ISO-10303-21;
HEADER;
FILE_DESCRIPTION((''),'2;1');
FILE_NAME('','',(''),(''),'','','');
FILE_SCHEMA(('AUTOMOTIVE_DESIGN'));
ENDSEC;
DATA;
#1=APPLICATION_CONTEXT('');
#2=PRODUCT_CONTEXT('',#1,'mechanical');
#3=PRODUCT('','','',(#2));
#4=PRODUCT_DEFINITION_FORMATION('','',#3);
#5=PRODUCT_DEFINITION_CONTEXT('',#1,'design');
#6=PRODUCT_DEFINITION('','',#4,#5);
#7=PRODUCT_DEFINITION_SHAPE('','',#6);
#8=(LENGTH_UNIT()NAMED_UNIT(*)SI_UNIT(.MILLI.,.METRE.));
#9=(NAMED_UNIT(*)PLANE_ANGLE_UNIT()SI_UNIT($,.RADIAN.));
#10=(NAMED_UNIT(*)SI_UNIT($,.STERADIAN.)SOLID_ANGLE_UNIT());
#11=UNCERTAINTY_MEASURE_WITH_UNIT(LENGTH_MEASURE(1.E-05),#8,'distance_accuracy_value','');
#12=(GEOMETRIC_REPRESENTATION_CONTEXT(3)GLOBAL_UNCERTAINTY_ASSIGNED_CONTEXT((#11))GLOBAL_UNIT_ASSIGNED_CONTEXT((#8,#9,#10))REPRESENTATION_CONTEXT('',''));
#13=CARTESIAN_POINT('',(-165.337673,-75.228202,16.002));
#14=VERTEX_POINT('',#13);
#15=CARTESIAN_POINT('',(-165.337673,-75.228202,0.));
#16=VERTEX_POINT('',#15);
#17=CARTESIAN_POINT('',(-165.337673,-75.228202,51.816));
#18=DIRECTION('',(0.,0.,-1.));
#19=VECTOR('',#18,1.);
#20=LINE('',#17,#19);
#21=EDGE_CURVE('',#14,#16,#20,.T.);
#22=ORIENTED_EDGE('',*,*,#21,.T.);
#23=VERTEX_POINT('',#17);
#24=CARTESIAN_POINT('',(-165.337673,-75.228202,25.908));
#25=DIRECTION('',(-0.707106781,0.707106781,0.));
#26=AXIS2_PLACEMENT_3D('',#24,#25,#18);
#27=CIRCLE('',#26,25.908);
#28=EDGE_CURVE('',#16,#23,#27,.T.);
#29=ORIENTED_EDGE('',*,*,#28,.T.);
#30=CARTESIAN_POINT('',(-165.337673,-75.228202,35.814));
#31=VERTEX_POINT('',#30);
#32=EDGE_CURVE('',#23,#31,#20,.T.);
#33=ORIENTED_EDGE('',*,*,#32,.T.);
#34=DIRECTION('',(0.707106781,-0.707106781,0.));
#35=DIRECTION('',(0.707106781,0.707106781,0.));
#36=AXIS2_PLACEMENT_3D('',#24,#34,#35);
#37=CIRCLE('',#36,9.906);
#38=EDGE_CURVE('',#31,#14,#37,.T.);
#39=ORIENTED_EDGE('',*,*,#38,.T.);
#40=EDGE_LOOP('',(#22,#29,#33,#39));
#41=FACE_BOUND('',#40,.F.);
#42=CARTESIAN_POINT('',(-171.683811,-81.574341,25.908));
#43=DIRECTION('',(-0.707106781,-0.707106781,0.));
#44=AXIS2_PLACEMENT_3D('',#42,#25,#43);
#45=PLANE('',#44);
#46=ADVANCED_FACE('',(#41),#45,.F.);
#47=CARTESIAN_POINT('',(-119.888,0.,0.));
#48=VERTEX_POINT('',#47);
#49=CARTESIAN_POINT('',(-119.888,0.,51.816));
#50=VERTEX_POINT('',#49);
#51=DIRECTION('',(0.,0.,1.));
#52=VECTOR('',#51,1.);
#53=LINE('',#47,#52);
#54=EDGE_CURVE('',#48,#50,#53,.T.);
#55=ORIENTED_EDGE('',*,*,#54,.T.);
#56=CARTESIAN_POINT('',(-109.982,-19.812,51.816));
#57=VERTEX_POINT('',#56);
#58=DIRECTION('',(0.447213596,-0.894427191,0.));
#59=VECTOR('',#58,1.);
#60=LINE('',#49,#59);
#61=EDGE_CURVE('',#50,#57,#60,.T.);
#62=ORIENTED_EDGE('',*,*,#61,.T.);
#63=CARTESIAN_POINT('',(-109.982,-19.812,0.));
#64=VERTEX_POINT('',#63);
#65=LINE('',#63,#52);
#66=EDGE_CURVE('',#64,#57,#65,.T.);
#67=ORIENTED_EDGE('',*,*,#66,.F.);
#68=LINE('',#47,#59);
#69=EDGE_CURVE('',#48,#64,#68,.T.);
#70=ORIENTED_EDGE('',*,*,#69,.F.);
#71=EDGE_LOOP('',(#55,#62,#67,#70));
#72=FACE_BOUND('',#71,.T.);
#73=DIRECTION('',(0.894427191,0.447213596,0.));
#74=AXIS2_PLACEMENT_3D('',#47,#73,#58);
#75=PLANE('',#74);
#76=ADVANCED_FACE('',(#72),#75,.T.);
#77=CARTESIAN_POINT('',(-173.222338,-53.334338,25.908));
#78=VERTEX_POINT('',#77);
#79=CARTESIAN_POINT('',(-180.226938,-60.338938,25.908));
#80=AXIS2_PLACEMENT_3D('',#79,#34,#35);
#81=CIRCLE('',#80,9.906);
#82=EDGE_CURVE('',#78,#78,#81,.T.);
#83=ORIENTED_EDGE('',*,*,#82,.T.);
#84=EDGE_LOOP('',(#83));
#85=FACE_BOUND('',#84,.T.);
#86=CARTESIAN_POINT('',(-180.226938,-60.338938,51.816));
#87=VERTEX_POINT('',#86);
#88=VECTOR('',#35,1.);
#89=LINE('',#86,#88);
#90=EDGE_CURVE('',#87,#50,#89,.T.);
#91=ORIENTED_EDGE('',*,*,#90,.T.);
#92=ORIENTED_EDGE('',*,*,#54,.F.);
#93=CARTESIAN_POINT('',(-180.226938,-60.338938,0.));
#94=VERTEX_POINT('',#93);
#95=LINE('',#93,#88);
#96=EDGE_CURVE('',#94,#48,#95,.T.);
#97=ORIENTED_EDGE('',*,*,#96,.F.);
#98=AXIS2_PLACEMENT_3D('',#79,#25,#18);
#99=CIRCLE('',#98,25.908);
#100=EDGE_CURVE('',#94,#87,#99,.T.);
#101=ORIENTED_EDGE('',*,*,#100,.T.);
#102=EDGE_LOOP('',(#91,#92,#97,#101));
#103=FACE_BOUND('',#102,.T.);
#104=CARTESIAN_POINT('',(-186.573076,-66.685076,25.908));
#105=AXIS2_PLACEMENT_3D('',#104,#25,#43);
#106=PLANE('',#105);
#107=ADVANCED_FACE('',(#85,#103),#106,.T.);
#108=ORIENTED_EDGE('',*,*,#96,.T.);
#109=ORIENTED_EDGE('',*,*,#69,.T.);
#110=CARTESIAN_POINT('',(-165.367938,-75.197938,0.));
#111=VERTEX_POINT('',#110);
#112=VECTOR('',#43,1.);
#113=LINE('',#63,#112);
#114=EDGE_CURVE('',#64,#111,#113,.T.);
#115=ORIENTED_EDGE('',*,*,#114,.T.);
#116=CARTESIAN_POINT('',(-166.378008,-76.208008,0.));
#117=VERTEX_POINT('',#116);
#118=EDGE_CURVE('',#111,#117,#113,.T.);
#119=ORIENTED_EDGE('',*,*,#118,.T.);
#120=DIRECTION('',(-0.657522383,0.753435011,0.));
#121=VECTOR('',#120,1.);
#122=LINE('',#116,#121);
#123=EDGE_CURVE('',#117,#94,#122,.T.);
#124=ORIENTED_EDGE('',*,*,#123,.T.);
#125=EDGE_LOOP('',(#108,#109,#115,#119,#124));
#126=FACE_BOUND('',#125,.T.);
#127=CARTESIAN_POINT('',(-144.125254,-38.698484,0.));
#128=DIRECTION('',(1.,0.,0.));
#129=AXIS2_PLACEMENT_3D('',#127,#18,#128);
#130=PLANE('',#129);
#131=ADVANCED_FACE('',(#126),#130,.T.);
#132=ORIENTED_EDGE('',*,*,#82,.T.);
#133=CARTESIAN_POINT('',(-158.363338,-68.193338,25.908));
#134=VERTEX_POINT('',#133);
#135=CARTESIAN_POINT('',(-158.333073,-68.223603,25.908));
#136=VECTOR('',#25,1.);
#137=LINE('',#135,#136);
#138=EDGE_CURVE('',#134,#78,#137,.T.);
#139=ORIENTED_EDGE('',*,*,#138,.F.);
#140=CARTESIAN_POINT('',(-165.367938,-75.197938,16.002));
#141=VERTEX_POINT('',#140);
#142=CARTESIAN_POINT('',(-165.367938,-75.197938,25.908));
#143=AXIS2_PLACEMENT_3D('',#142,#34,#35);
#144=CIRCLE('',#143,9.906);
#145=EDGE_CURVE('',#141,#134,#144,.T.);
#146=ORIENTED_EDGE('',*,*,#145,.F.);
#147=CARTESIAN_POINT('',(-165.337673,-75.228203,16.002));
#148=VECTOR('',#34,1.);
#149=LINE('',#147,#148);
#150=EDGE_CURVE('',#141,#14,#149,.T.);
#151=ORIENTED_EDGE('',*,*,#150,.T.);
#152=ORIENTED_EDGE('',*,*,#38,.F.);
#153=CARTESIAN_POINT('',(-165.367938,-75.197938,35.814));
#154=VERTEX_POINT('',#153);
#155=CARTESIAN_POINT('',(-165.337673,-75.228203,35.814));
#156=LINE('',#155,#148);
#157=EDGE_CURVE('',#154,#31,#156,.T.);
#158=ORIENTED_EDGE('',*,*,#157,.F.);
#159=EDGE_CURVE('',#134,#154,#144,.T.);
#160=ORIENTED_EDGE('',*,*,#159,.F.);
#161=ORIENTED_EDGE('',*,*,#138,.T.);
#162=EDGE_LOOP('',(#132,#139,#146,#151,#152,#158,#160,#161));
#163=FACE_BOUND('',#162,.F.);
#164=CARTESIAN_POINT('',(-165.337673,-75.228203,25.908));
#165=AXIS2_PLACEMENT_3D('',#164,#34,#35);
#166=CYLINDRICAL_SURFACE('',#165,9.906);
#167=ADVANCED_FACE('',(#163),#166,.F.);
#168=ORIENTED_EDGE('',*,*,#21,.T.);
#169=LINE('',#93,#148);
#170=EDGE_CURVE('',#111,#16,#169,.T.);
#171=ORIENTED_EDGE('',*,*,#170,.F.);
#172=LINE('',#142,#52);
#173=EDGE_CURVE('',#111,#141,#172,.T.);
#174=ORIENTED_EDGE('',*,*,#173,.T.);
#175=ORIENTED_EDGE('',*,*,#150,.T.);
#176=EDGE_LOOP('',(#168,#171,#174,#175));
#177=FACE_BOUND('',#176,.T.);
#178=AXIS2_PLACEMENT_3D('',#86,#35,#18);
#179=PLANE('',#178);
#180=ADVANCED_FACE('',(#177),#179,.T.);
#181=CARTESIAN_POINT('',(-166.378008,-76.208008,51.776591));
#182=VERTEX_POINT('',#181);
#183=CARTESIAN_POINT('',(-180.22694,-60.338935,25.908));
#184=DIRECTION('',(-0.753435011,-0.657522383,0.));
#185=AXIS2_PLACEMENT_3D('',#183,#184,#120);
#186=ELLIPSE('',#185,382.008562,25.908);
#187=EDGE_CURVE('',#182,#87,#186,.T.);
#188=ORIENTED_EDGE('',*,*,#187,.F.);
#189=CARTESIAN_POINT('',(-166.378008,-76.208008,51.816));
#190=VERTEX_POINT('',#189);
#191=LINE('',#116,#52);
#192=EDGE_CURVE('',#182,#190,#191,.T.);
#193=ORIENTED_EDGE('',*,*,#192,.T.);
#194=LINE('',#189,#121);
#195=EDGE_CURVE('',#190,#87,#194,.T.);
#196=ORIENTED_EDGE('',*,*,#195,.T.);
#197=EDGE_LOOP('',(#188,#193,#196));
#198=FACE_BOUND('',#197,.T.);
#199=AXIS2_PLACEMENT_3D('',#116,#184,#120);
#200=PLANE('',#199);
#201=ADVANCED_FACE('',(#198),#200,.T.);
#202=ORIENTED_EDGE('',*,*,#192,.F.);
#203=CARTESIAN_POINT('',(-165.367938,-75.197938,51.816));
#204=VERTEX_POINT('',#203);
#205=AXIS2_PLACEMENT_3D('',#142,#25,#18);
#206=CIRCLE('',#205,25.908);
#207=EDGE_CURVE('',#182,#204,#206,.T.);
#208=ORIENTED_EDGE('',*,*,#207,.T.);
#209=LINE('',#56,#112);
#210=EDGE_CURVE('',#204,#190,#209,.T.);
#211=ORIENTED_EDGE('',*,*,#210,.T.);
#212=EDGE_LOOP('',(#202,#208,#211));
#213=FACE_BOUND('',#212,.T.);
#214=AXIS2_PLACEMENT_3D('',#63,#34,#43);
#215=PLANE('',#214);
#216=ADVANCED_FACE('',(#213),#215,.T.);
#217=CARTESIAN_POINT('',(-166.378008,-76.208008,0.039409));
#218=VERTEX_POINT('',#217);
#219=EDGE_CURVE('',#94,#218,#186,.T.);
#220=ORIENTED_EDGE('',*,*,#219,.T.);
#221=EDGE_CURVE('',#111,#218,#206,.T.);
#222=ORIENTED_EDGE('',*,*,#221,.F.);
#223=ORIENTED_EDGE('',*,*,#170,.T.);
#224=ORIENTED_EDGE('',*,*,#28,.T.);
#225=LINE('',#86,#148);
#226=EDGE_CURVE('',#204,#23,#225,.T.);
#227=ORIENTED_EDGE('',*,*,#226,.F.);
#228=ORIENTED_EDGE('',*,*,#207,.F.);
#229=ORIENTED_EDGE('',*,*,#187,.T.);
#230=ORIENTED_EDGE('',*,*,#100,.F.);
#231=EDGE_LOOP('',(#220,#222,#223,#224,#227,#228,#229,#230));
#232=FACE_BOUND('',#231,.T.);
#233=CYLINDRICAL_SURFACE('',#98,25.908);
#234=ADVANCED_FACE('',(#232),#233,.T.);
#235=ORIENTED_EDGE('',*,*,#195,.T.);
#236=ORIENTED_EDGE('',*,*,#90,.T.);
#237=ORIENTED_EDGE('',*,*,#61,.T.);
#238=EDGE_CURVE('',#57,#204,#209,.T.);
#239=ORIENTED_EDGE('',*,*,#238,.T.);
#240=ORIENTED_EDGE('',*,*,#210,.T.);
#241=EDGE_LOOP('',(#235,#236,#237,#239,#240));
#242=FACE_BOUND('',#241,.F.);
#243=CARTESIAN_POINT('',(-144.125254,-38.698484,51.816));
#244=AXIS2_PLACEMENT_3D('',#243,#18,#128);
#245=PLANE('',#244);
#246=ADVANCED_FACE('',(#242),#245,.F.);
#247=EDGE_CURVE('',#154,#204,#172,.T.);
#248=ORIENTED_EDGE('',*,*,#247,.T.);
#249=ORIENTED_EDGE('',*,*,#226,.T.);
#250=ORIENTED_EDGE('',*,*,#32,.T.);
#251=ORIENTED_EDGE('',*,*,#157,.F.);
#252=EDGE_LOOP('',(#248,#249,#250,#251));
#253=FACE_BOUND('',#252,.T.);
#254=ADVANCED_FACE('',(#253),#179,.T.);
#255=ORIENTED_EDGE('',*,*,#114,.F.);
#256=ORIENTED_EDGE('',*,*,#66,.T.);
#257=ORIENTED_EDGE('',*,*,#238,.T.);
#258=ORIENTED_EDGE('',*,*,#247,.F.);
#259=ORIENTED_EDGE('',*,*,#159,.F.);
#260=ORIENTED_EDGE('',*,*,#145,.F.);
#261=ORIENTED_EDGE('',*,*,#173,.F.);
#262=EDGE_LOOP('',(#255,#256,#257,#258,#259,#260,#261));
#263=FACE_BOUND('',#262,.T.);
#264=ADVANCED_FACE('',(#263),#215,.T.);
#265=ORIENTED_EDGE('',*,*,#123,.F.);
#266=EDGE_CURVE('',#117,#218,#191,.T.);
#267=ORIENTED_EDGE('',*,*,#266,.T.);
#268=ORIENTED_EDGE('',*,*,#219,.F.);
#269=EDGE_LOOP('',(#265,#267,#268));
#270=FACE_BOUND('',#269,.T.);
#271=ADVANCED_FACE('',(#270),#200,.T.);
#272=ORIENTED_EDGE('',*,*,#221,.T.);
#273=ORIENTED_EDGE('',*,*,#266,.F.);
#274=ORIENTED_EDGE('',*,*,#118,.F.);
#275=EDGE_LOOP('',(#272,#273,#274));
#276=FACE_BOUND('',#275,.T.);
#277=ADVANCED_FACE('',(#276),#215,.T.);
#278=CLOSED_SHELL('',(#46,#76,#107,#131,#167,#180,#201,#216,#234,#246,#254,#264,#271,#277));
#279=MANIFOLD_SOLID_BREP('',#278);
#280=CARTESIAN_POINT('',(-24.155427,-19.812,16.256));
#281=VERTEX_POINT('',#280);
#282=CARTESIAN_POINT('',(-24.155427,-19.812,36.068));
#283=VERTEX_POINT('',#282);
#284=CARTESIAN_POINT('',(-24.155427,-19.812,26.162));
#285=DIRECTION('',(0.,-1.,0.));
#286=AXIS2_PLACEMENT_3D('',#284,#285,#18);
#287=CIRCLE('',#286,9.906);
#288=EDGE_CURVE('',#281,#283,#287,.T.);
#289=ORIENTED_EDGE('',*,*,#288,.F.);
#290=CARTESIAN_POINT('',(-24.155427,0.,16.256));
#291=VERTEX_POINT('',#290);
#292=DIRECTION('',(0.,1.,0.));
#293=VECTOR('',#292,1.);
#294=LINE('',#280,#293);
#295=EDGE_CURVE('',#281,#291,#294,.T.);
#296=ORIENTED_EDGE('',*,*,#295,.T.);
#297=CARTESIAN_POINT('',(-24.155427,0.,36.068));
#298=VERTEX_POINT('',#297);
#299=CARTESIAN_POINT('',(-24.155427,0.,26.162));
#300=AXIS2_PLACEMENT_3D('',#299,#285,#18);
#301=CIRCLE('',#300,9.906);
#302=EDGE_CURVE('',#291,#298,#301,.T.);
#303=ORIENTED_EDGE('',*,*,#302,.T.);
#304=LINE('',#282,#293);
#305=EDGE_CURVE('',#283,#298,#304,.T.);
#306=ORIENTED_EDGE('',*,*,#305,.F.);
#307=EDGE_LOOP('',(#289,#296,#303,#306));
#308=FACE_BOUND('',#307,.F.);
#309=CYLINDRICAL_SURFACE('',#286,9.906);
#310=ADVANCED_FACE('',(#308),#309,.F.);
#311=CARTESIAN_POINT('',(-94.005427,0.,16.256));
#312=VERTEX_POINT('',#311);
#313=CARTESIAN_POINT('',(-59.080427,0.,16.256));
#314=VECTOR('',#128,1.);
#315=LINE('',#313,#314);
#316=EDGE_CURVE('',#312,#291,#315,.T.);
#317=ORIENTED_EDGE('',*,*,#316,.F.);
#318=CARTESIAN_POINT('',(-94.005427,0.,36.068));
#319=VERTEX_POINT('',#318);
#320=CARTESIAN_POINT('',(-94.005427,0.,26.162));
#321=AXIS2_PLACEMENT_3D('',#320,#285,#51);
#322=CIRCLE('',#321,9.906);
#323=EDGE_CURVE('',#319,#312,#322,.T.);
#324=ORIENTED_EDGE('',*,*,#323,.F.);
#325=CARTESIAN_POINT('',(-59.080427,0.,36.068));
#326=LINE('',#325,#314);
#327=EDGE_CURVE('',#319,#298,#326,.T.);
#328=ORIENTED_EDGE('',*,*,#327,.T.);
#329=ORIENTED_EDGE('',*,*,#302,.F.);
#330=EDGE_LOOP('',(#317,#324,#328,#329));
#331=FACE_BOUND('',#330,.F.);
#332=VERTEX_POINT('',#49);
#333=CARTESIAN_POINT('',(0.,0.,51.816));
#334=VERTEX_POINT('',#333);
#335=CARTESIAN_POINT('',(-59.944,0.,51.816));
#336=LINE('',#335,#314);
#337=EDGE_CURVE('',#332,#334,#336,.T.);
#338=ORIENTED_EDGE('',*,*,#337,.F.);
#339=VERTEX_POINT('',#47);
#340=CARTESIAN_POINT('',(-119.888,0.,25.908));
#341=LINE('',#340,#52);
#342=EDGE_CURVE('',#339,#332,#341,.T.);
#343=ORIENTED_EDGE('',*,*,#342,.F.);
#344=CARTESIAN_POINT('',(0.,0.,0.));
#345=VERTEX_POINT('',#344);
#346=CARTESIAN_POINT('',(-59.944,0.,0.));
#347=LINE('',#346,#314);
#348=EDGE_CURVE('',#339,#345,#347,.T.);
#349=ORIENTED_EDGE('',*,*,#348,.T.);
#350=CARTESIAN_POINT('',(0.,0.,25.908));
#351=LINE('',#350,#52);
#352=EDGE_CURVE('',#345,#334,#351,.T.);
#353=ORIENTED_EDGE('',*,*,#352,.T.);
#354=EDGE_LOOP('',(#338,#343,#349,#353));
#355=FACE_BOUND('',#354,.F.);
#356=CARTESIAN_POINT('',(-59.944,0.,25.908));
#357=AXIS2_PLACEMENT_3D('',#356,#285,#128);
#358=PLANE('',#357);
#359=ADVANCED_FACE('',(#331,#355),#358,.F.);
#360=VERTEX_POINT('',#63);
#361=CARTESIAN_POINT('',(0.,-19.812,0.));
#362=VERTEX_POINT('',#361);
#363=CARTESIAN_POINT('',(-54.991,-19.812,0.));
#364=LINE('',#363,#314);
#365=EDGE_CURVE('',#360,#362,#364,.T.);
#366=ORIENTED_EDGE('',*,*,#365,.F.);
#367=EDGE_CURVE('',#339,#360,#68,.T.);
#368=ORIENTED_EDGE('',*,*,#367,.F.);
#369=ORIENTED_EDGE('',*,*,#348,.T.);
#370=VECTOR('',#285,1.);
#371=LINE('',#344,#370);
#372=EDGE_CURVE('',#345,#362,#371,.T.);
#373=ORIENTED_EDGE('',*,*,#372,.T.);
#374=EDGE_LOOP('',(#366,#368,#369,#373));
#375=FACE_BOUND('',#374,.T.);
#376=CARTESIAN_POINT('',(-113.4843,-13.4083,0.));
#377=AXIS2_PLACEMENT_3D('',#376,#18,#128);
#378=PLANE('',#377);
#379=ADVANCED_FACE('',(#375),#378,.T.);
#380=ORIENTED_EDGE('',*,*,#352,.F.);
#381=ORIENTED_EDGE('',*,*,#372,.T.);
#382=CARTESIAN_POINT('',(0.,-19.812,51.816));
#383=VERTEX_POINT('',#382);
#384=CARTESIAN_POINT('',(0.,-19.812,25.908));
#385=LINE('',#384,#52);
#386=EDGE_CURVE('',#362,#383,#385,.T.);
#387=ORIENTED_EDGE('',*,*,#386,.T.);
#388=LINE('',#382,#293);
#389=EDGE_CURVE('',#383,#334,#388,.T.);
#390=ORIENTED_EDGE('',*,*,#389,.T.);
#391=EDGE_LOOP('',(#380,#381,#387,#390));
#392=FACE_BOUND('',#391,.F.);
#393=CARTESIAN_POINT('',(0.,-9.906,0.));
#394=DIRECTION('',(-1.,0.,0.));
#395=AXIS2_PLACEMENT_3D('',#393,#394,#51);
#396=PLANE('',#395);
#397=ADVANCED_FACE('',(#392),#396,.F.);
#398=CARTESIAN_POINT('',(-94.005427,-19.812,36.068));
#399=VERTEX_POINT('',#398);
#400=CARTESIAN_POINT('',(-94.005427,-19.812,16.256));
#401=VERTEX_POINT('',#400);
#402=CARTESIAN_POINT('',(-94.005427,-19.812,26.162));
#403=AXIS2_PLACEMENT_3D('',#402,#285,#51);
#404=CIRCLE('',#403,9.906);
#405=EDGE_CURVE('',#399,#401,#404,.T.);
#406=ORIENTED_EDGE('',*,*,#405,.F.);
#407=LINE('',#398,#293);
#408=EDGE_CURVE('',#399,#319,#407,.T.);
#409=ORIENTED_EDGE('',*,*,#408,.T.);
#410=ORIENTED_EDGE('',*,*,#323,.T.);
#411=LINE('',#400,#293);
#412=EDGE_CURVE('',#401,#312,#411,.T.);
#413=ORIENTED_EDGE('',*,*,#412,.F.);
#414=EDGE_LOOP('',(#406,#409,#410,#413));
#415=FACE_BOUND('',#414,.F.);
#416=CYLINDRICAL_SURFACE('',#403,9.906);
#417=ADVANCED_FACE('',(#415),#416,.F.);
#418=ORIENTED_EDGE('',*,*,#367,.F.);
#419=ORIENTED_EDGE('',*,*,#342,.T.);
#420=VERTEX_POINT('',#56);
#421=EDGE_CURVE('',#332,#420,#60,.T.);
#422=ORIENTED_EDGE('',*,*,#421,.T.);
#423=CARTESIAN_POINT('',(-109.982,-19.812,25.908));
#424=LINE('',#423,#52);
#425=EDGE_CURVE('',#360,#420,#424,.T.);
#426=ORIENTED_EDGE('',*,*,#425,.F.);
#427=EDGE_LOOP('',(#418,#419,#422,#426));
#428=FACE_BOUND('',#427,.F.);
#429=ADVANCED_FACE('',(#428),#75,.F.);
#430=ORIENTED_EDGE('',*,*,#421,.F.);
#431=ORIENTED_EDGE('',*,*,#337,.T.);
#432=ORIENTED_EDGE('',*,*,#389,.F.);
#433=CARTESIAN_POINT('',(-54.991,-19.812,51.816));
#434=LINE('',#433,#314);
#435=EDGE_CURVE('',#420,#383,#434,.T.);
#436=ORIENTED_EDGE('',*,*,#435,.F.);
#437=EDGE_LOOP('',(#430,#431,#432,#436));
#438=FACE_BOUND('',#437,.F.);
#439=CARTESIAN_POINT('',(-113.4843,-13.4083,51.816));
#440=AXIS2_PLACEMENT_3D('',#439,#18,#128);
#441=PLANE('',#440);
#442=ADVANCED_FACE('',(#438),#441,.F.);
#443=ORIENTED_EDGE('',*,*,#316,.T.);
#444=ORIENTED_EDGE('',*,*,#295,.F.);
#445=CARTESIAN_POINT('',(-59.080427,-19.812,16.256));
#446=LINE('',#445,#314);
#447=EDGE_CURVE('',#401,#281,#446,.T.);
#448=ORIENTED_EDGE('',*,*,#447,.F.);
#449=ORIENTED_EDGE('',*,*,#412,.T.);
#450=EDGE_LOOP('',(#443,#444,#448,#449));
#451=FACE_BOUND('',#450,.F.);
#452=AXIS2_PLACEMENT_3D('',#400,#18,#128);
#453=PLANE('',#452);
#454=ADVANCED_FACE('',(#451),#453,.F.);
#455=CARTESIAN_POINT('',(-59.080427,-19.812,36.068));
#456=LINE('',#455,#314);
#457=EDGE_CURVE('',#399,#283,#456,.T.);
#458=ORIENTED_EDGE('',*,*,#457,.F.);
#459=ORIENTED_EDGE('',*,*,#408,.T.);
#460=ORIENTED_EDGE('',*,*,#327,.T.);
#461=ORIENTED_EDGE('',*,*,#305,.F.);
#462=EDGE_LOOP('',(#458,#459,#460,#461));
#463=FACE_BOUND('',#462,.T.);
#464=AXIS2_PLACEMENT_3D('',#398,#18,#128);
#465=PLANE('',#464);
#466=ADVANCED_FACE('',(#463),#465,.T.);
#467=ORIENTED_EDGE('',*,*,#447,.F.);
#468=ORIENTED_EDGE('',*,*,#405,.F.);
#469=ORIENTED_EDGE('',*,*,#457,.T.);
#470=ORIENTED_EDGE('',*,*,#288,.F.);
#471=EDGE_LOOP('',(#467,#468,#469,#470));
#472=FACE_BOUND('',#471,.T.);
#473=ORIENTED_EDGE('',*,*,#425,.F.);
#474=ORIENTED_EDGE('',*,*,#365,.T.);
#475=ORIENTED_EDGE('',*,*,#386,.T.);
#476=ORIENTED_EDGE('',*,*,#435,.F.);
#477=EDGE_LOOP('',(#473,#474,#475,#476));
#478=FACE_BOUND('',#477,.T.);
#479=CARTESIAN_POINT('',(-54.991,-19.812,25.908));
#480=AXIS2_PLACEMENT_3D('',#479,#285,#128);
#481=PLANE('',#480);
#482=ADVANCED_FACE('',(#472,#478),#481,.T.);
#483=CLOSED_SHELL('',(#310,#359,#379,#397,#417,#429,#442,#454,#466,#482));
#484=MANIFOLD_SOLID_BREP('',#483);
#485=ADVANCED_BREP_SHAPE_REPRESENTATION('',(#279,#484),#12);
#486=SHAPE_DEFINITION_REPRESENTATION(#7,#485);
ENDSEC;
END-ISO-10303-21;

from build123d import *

# Parameters (mm, degrees)
F0_W      = 119.888
F0_H      = 51.816
F1_DEPTH  = 9.906
F2_W      = 109.982
F2_H      = 51.816
F3_DEPTH  = 9.906
F5_DEPTH  = 51.816
F7_DEPTH  = 51.816
F9_DEPTH  = 51.816
F11_DEPTH = 21.0566
F12_W     = 69.85
F12_H     = 19.812
F13_DEPTH = 19.812
F14_R     = 9.906
F15_DEPTH = 25.4


with BuildPart() as f1:
    # F0 (on Front) → F1 (new body)
    with BuildSketch(Plane.XZ):
        with Locations((-59.944, 25.908)):
            Rectangle(F0_W, F0_H)
    extrude(amount=F1_DEPTH)

    # F2 (on face) → F3 (join)
    with BuildSketch(Plane.XZ.offset(9.906)):
        with Locations((-54.991, 25.908)):
            Rectangle(F2_W, F2_H)
    extrude(amount=F3_DEPTH)

    # F4 (on face) → F5 (join)
    with BuildSketch(Plane(origin=(0, 0, 0), x_dir=(1, 0, 0), z_dir=(0, 0, -1))):
        Polygon((-109.982, 9.906), (-109.982, 19.812), (-119.888, 9.906), align=None)
    extrude(amount=-F5_DEPTH)

    # F6 (on face) → F7 (cut)
    with BuildSketch(Plane(origin=(0, 0, 0), x_dir=(1, 0, 0), z_dir=(0, 0, -1))):
        Polygon((-119.888, 0), (-109.982, 19.812), (-119.888, 9.906), align=None)
    extrude(amount=-F7_DEPTH, mode=Mode.SUBTRACT)

    # F12 (on face) → F13 (cut)
    with BuildSketch(Plane.XZ.offset(19.812)):
        with Locations((-59.080427, 26.162)):
            Rectangle(F12_W, F12_H)
        with BuildLine():
            Line((-94.005427, 16.256), (-94.005427, 36.068))
            ThreePointArc((-94.005427, 36.068), (-103.911427, 26.162), (-94.005427, 16.256))
        make_face()
        with BuildLine():
            ThreePointArc((-24.155427, 16.256), (-14.249427, 26.162), (-24.155427, 36.068))
            Line((-24.155427, 36.068), (-24.155427, 16.256))
        make_face()
    extrude(amount=-F13_DEPTH, mode=Mode.SUBTRACT)


with BuildPart() as f9:
    # F8 (on face) → F9 (new body)
    with BuildSketch(Plane(origin=(0, 0, 0), x_dir=(1, 0, 0), z_dir=(0, 0, -1))):
        Polygon((-119.888, 0), (-109.982, 19.812), (-166.378008, 76.208008), (-180.226938, 60.338938), align=None)
    extrude(amount=-F9_DEPTH)

    # F10 (on face) → F11 (join)
    with BuildSketch(Plane(origin=(-59.944, 59.944, 0), x_dir=(-0.707107, -0.707107, 0), z_dir=(-0.707107, 0.707107, 0))):
        with BuildLine():
            Line((170.105762, 51.816), (170.105762, 0))
            ThreePointArc((170.105762, 0), (196.013762, 25.908), (170.105762, 51.816))
        make_face()
    extrude(amount=-F11_DEPTH)

    # F14 (on face) → F15 (cut)
    with BuildSketch(Plane(origin=(-45.054735, 45.054735, 0), x_dir=(0.707107, 0.707107, 0), z_dir=(0.707107, -0.707107, 0))):
        with Locations((-170.105762, 25.908)):
            Circle(F14_R)
    extrude(amount=-F15_DEPTH, mode=Mode.SUBTRACT)


solid = Compound([f1.part, f9.part])
